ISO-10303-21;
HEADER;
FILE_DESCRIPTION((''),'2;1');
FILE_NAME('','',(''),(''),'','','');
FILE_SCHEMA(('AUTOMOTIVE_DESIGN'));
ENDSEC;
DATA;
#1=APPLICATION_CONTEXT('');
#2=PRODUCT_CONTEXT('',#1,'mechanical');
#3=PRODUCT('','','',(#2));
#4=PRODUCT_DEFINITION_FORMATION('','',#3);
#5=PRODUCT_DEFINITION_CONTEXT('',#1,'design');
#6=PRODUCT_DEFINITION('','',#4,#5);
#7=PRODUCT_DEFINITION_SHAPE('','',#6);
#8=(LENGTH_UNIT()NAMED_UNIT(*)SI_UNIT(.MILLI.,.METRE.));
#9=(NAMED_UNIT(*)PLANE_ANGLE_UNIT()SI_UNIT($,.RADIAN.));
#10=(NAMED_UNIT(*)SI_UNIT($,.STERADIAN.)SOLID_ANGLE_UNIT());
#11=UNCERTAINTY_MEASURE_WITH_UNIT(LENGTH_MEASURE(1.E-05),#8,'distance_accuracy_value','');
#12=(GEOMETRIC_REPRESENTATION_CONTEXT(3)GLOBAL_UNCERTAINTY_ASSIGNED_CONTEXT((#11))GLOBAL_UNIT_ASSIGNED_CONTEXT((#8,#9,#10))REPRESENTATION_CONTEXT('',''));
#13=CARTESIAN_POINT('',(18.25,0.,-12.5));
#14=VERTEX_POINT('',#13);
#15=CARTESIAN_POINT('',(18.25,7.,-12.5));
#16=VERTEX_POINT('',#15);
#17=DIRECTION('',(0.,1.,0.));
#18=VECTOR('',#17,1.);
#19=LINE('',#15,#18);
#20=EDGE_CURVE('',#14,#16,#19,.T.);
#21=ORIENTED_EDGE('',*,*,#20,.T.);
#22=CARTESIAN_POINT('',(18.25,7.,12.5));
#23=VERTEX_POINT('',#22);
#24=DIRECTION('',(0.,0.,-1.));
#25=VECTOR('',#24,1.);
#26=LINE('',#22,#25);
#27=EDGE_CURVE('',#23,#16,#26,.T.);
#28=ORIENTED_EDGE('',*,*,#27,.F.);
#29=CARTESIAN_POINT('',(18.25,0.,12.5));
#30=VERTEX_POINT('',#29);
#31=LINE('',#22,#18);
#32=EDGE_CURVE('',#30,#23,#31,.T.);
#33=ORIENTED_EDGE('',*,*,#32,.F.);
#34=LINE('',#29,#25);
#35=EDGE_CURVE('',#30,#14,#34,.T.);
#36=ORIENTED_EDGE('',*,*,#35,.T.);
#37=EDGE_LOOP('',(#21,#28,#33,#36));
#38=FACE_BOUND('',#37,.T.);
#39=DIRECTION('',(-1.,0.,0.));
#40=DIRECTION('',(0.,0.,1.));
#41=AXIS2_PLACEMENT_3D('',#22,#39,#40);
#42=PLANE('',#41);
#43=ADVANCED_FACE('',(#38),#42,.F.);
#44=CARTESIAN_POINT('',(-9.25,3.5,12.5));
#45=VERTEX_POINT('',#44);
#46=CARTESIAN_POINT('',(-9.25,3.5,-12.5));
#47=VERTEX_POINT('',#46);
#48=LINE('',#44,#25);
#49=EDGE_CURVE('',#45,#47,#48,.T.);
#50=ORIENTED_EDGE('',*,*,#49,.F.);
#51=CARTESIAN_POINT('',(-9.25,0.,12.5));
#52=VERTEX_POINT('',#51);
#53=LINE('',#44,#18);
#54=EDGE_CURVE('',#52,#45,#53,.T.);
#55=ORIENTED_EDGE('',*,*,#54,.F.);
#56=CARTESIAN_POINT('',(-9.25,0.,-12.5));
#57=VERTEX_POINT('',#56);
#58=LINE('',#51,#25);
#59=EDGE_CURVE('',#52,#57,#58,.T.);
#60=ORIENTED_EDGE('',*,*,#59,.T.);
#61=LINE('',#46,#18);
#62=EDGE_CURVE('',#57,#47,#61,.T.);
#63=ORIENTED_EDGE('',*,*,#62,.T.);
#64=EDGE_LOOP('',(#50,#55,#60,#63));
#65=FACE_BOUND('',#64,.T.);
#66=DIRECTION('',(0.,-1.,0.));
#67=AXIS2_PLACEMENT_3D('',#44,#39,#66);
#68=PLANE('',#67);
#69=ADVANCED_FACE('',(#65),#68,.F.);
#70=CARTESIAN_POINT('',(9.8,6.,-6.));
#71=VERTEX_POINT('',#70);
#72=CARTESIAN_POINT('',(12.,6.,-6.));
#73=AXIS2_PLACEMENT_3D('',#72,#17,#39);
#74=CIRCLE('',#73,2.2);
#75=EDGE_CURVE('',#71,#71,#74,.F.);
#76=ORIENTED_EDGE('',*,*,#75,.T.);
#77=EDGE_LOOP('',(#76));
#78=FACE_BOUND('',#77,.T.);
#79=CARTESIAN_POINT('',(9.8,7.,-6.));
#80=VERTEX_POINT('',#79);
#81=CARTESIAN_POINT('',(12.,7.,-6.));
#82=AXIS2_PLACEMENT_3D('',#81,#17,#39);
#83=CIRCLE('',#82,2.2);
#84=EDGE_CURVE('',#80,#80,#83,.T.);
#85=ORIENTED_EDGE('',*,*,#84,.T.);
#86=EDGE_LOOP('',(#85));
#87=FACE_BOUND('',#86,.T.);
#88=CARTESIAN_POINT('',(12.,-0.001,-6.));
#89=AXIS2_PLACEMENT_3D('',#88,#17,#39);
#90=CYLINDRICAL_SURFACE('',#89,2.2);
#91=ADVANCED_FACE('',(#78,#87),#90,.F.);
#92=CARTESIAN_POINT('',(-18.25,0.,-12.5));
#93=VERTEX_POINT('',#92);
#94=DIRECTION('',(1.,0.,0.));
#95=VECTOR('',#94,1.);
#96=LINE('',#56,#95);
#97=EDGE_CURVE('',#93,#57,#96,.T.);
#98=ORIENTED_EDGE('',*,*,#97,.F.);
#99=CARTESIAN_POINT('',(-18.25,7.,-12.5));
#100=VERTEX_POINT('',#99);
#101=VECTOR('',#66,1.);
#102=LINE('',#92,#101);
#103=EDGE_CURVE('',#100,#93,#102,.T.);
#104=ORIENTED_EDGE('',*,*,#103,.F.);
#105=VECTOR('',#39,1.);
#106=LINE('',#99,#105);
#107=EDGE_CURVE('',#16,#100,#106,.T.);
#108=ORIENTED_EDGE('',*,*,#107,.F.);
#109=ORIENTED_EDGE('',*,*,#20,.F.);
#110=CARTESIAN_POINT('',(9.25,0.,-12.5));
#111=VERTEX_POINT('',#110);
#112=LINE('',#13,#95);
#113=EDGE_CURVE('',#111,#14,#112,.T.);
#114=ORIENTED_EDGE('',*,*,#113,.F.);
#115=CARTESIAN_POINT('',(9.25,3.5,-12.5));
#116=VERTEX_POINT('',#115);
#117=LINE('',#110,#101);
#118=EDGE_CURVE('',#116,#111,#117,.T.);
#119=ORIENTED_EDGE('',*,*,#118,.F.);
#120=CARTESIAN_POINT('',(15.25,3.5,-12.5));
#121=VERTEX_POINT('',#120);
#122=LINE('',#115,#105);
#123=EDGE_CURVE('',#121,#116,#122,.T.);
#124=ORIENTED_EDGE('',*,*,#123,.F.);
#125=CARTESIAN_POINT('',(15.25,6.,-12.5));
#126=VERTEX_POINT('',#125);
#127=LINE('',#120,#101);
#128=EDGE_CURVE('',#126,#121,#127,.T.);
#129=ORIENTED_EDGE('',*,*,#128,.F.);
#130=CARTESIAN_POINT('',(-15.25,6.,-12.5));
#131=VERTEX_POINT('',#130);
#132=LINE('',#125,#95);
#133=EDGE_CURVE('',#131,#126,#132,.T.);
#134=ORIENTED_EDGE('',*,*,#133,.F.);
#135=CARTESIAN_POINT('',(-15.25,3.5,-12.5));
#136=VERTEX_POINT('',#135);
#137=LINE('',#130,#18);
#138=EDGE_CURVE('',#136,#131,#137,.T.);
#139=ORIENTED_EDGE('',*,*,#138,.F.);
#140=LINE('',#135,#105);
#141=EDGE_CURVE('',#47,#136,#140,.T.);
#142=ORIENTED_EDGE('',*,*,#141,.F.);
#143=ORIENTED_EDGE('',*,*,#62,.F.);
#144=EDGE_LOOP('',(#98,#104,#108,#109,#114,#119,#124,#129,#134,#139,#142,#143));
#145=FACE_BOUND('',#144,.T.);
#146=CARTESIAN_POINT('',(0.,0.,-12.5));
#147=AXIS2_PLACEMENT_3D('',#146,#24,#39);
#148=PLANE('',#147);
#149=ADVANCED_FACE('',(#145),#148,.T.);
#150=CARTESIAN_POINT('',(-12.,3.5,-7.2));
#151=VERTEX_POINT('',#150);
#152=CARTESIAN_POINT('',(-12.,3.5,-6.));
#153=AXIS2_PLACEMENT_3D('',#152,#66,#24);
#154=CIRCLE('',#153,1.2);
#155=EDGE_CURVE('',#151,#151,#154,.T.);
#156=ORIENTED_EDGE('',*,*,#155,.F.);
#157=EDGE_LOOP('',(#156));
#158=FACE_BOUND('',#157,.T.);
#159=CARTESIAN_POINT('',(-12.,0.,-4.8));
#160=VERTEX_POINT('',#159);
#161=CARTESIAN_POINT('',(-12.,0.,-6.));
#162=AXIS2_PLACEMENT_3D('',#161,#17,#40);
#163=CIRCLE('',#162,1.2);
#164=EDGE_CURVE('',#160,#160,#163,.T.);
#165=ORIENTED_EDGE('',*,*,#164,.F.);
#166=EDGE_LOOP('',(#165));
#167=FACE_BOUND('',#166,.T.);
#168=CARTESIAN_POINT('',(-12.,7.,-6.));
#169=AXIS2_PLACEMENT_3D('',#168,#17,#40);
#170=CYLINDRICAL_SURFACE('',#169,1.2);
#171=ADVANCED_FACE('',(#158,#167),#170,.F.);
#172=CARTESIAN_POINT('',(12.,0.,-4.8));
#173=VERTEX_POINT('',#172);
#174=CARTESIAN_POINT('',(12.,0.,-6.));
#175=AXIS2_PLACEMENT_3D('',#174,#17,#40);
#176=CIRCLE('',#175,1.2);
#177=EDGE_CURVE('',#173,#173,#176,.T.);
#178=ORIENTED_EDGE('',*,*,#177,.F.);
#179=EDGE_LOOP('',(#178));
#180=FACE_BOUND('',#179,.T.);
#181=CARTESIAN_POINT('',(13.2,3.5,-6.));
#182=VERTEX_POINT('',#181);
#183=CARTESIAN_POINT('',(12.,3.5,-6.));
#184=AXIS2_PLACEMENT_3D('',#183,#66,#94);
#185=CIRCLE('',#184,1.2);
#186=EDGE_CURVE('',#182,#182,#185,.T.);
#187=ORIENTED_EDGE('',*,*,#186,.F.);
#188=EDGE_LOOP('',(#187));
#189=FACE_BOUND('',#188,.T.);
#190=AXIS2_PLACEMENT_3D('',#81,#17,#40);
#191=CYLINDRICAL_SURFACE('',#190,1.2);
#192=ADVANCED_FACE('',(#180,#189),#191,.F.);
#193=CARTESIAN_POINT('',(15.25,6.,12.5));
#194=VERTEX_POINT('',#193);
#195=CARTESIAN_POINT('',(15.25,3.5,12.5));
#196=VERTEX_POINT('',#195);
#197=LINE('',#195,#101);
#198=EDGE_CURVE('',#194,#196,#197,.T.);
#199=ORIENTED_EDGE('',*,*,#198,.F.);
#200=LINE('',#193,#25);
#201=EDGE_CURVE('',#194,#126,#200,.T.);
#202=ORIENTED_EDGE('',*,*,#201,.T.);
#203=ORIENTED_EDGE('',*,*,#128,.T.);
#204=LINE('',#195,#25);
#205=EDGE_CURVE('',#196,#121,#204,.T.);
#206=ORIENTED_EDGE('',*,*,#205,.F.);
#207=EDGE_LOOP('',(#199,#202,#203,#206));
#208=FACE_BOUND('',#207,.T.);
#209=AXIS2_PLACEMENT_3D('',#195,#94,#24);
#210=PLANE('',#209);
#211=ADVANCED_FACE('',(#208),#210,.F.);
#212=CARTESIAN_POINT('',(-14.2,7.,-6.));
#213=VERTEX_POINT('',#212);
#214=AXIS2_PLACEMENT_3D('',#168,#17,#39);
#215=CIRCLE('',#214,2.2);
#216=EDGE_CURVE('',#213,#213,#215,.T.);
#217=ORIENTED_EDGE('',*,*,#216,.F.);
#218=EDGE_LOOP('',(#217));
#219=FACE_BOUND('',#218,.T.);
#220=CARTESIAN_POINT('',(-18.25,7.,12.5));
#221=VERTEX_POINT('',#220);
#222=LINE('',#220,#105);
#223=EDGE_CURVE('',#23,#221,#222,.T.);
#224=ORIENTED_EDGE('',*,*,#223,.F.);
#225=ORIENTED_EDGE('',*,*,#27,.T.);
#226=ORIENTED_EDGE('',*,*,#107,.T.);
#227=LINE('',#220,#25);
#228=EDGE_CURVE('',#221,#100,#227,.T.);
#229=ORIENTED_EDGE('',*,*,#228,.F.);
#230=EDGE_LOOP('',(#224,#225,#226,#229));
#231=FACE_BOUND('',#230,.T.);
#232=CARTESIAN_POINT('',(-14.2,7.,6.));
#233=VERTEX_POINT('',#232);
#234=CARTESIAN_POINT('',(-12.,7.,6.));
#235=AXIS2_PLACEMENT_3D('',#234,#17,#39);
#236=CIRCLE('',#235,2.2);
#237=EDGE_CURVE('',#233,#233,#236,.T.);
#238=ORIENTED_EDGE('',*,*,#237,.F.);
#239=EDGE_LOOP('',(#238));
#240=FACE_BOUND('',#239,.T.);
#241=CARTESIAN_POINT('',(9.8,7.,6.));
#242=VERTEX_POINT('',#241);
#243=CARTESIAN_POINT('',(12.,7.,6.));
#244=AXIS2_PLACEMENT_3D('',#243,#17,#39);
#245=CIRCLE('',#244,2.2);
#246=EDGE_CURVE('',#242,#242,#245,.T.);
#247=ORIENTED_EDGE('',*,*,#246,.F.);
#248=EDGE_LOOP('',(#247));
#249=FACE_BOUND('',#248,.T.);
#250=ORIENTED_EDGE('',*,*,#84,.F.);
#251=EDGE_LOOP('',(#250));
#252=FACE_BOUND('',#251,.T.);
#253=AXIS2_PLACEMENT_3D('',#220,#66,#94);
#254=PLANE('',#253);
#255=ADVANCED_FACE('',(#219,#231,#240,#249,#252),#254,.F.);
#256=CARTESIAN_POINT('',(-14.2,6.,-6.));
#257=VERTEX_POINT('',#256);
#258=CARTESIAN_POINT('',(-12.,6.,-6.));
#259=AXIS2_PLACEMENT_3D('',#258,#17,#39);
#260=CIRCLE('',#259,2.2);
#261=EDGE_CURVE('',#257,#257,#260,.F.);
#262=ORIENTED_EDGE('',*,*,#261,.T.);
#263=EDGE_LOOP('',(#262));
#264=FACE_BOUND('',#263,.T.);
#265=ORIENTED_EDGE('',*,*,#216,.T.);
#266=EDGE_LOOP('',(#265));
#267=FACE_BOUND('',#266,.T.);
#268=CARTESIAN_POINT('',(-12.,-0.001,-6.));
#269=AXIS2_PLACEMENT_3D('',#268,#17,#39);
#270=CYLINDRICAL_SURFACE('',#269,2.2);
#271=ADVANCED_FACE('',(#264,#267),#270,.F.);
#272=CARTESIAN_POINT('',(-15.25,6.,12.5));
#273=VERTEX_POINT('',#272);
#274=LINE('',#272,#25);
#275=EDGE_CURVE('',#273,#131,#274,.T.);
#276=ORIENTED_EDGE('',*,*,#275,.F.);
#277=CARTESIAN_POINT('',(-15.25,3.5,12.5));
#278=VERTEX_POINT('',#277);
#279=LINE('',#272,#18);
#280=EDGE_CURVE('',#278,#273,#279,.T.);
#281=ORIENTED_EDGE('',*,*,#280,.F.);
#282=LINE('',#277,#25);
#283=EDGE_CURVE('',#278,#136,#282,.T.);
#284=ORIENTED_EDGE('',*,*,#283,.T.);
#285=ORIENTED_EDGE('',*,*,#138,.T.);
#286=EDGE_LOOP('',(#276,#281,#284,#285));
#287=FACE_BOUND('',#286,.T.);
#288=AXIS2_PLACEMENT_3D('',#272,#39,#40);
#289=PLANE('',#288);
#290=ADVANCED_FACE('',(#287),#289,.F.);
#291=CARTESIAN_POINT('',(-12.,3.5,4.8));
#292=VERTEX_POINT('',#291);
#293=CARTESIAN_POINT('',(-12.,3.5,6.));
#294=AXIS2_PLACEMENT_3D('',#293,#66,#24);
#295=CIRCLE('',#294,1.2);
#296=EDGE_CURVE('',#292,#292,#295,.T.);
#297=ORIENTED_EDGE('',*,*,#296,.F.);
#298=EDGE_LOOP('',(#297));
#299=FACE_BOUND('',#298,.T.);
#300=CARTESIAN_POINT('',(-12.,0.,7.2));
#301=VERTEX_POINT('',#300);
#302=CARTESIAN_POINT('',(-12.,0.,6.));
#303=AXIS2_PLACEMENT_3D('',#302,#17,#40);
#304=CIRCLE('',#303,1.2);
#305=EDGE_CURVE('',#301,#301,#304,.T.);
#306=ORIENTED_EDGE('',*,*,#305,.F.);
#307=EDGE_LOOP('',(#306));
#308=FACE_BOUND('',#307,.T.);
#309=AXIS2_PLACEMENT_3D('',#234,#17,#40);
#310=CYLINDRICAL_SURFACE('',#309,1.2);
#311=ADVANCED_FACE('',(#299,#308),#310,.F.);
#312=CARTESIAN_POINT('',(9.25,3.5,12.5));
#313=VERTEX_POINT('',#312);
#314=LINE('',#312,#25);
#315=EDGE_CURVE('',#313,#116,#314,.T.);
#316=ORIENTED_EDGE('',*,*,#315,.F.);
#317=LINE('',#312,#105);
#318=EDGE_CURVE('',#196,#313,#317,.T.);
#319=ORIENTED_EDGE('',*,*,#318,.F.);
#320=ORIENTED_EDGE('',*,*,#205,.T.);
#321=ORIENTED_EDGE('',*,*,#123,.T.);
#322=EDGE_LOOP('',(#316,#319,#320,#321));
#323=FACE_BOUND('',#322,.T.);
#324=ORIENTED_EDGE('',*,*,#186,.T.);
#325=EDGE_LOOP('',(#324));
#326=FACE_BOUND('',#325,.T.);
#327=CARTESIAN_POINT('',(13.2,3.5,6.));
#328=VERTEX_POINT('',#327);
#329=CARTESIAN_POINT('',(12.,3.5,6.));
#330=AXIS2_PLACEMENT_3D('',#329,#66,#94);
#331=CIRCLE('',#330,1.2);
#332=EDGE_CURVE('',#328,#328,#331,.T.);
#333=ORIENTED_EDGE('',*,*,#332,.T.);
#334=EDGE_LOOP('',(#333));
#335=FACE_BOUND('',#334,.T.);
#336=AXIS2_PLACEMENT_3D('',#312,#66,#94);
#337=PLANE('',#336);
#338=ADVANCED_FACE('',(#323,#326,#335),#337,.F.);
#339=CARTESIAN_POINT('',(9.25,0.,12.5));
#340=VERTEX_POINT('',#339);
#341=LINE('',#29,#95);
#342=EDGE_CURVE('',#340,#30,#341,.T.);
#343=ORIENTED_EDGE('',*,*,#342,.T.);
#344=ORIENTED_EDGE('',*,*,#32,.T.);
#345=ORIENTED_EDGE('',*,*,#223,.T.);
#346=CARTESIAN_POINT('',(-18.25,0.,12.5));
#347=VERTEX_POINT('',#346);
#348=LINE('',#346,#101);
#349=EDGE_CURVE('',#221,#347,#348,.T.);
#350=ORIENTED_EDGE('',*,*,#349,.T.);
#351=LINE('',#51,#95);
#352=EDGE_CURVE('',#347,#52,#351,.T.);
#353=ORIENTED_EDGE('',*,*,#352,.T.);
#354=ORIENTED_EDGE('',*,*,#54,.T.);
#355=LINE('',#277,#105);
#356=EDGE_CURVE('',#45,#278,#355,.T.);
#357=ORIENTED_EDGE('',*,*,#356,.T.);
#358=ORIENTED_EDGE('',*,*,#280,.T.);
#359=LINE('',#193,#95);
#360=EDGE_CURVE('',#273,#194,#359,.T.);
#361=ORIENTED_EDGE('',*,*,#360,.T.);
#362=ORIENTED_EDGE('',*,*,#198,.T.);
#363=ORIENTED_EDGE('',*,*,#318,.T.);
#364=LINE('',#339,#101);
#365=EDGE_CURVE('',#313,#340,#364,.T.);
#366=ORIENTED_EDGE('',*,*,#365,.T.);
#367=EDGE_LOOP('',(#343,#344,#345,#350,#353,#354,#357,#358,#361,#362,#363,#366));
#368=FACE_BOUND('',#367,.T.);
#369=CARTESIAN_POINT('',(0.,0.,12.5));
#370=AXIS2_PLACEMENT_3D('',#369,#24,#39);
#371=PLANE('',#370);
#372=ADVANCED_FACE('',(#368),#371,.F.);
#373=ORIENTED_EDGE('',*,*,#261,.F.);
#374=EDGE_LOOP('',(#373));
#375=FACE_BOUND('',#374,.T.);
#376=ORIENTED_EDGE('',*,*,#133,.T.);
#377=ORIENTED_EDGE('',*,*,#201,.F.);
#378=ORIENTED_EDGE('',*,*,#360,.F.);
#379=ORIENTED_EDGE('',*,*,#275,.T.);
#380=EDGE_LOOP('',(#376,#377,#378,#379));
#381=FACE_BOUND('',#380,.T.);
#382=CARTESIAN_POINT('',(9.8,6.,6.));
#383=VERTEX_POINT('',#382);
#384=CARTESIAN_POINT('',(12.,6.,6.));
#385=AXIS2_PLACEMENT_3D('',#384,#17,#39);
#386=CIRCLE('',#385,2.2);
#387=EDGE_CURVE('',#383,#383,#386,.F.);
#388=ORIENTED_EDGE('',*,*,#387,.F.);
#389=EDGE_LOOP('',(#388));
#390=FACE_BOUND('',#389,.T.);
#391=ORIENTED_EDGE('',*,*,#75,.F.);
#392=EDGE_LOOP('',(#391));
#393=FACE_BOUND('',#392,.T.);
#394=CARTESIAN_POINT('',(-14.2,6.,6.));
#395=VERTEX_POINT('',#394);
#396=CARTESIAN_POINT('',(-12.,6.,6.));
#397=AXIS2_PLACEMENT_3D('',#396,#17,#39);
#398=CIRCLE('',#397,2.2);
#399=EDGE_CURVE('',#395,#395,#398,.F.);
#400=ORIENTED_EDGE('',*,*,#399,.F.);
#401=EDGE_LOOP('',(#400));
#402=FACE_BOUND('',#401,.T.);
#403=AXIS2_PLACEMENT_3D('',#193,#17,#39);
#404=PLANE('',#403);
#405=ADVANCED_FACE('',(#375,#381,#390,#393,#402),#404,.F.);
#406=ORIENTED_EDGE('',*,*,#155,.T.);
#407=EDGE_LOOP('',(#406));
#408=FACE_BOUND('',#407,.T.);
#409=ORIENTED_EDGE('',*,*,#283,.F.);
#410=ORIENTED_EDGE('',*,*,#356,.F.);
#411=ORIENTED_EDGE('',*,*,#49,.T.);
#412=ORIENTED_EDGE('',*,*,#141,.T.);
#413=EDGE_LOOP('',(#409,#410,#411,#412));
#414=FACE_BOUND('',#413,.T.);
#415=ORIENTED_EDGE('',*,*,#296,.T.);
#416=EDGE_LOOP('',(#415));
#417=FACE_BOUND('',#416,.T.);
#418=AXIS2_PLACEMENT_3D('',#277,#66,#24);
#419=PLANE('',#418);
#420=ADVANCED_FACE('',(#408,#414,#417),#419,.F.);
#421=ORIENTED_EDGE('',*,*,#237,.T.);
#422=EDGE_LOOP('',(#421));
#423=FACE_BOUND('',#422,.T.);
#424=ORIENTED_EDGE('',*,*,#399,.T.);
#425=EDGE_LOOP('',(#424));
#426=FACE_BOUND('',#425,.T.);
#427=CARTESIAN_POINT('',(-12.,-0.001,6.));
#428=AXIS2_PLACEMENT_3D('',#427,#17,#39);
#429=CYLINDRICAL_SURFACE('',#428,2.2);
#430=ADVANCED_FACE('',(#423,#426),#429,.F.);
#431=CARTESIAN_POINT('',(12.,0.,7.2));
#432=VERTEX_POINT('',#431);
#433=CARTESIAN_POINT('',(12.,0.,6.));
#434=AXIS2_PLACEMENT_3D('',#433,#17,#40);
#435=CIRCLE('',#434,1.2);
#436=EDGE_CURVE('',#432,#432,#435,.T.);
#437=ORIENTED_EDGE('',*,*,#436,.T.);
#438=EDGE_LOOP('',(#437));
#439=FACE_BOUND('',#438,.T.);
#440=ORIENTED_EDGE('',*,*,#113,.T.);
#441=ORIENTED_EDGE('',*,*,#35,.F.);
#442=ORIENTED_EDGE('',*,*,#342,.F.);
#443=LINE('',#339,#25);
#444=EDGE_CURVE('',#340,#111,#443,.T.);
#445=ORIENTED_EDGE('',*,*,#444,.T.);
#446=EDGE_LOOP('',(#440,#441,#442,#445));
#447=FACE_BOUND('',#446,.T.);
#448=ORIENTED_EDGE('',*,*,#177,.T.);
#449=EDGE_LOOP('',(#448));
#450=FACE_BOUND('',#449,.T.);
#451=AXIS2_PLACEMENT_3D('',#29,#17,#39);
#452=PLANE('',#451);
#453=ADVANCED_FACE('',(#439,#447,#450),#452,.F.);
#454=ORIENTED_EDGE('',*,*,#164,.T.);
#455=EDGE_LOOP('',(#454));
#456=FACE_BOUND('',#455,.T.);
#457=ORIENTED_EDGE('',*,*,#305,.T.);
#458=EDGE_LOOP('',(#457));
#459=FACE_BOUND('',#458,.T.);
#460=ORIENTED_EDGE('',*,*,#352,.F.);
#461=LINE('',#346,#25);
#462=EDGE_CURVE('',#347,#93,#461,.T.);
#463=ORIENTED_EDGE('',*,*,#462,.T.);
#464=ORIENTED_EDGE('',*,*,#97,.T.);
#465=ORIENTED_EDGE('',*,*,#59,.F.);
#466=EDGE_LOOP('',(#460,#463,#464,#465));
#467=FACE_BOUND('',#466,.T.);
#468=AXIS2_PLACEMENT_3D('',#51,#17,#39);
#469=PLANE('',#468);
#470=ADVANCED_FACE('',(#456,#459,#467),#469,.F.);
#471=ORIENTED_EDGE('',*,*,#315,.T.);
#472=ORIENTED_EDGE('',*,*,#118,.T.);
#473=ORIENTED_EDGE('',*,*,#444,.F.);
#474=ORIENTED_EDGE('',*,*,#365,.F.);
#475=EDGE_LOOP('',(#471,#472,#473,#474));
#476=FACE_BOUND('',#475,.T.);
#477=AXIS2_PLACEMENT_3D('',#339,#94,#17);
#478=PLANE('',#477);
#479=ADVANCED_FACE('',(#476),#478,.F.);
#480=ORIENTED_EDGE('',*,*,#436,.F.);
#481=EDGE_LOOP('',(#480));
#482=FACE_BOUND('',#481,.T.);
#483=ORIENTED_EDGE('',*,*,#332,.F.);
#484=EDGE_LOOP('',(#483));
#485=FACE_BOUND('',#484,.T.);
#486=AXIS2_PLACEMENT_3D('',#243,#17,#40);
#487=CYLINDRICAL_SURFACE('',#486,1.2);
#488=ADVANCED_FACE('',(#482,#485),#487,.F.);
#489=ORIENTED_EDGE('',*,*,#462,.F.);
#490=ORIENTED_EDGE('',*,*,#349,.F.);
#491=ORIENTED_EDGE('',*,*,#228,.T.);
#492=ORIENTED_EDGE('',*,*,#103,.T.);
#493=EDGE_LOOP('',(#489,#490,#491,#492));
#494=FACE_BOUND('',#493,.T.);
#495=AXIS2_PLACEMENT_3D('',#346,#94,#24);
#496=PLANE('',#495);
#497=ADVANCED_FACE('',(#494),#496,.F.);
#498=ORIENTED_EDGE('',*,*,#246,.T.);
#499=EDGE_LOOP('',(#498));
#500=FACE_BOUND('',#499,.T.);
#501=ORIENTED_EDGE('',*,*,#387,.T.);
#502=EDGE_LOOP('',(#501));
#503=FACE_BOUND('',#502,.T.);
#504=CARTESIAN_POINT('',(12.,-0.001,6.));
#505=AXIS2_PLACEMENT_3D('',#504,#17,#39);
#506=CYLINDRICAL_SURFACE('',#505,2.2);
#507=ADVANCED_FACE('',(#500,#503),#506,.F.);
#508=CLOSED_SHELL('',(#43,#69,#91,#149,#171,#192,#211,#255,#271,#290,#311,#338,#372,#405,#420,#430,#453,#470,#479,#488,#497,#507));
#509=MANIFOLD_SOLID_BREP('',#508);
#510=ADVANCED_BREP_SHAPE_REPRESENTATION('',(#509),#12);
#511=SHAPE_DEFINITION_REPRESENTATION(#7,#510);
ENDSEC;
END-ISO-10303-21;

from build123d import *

# Parameters (mm, degrees)
EXTRUDE_3_DEPTH             = 12.5
HOLE_WIZARD_M21_D           = 2.4
HOLE_WIZARD_M21_CSINK_D     = 4.4
HOLE_WIZARD_M21_CSINK_ANGLE = 90
CUT_EXTRUDE_1_REACH         = 25.202
SKETCH_6_R                  = 2.2


with BuildPart() as part:
    # Эскиз3 → Бобышка-Вытянуть3 (new, symmetric)
    with BuildSketch(Plane.XY):
        Polygon((-9.25, 0), (-18.25, 0), (-18.25, 7), (18.25, 7), (18.25, 0), (9.25, 0), (9.25, 3.5), (15.25, 3.5), (15.25, 6), (-15.25, 6), (-15.25, 3.5), (-9.25, 3.5), align=None)
    extrude(amount=EXTRUDE_3_DEPTH, both=True)

    # Зенковка для винта с потайной головкой M21 (through all)
    with Locations(Plane(origin=(0, 7, 0), x_dir=(1, 0, 0), z_dir=(0, 1, 0))):
        with Locations((-12, 6), (-12, -6), (12, -6), (12, 6)):
            CounterSinkHole(HOLE_WIZARD_M21_D / 2, HOLE_WIZARD_M21_CSINK_D / 2, counter_sink_angle=HOLE_WIZARD_M21_CSINK_ANGLE)

    # Эскиз6 → Вырез-Вытянуть1 (cut, up to next)
    with BuildSketch(Plane(origin=(0, 7, 0), x_dir=(1, 0, 0), z_dir=(0, 1, 0)), mode=Mode.PRIVATE) as cut_extrude_1_sk1:
        with Locations(Location((-12, -6, 0), (0, 0, 180))):
            Circle(SKETCH_6_R)
    cut_extrude_1_tool1 = extrude(cut_extrude_1_sk1.sketch, amount=-CUT_EXTRUDE_1_REACH, mode=Mode.PRIVATE) & part.part
    # Эскиз6 → Вырез-Вытянуть1 (cut, up to next)
    with BuildSketch(Plane(origin=(0, 7, 0), x_dir=(1, 0, 0), z_dir=(0, 1, 0)), mode=Mode.PRIVATE) as cut_extrude_1_sk2:
        with Locations(Location((12, -6, 0), (0, 0, 180))):
            Circle(SKETCH_6_R)
    cut_extrude_1_tool2 = extrude(cut_extrude_1_sk2.sketch, amount=-CUT_EXTRUDE_1_REACH, mode=Mode.PRIVATE) & part.part
    # Эскиз6 → Вырез-Вытянуть1 (cut, up to next)
    with BuildSketch(Plane(origin=(0, 7, 0), x_dir=(1, 0, 0), z_dir=(0, 1, 0)), mode=Mode.PRIVATE) as cut_extrude_1_sk3:
        with Locations(Location((12, 6, 0), (0, 0, 180))):
            Circle(SKETCH_6_R)
    cut_extrude_1_tool3 = extrude(cut_extrude_1_sk3.sketch, amount=-CUT_EXTRUDE_1_REACH, mode=Mode.PRIVATE) & part.part
    # Эскиз6 → Вырез-Вытянуть1 (cut, up to next)
    with BuildSketch(Plane(origin=(0, 7, 0), x_dir=(1, 0, 0), z_dir=(0, 1, 0)), mode=Mode.PRIVATE) as cut_extrude_1_sk4:
        with Locations(Location((-12, 6, 0), (0, 0, 180))):
            Circle(SKETCH_6_R)
    cut_extrude_1_tool4 = extrude(cut_extrude_1_sk4.sketch, amount=-CUT_EXTRUDE_1_REACH, mode=Mode.PRIVATE) & part.part
    add(cut_extrude_1_tool1.solids().sort_by_distance((-12, 7, 6))[0], mode=Mode.SUBTRACT)
    add(cut_extrude_1_tool2.solids().sort_by_distance((12, 7, 6))[0], mode=Mode.SUBTRACT)
    add(cut_extrude_1_tool3.solids().sort_by_distance((12, 7, -6))[0], mode=Mode.SUBTRACT)
    add(cut_extrude_1_tool4.solids().sort_by_distance((-12, 7, -6))[0], mode=Mode.SUBTRACT)


solid = part.part
